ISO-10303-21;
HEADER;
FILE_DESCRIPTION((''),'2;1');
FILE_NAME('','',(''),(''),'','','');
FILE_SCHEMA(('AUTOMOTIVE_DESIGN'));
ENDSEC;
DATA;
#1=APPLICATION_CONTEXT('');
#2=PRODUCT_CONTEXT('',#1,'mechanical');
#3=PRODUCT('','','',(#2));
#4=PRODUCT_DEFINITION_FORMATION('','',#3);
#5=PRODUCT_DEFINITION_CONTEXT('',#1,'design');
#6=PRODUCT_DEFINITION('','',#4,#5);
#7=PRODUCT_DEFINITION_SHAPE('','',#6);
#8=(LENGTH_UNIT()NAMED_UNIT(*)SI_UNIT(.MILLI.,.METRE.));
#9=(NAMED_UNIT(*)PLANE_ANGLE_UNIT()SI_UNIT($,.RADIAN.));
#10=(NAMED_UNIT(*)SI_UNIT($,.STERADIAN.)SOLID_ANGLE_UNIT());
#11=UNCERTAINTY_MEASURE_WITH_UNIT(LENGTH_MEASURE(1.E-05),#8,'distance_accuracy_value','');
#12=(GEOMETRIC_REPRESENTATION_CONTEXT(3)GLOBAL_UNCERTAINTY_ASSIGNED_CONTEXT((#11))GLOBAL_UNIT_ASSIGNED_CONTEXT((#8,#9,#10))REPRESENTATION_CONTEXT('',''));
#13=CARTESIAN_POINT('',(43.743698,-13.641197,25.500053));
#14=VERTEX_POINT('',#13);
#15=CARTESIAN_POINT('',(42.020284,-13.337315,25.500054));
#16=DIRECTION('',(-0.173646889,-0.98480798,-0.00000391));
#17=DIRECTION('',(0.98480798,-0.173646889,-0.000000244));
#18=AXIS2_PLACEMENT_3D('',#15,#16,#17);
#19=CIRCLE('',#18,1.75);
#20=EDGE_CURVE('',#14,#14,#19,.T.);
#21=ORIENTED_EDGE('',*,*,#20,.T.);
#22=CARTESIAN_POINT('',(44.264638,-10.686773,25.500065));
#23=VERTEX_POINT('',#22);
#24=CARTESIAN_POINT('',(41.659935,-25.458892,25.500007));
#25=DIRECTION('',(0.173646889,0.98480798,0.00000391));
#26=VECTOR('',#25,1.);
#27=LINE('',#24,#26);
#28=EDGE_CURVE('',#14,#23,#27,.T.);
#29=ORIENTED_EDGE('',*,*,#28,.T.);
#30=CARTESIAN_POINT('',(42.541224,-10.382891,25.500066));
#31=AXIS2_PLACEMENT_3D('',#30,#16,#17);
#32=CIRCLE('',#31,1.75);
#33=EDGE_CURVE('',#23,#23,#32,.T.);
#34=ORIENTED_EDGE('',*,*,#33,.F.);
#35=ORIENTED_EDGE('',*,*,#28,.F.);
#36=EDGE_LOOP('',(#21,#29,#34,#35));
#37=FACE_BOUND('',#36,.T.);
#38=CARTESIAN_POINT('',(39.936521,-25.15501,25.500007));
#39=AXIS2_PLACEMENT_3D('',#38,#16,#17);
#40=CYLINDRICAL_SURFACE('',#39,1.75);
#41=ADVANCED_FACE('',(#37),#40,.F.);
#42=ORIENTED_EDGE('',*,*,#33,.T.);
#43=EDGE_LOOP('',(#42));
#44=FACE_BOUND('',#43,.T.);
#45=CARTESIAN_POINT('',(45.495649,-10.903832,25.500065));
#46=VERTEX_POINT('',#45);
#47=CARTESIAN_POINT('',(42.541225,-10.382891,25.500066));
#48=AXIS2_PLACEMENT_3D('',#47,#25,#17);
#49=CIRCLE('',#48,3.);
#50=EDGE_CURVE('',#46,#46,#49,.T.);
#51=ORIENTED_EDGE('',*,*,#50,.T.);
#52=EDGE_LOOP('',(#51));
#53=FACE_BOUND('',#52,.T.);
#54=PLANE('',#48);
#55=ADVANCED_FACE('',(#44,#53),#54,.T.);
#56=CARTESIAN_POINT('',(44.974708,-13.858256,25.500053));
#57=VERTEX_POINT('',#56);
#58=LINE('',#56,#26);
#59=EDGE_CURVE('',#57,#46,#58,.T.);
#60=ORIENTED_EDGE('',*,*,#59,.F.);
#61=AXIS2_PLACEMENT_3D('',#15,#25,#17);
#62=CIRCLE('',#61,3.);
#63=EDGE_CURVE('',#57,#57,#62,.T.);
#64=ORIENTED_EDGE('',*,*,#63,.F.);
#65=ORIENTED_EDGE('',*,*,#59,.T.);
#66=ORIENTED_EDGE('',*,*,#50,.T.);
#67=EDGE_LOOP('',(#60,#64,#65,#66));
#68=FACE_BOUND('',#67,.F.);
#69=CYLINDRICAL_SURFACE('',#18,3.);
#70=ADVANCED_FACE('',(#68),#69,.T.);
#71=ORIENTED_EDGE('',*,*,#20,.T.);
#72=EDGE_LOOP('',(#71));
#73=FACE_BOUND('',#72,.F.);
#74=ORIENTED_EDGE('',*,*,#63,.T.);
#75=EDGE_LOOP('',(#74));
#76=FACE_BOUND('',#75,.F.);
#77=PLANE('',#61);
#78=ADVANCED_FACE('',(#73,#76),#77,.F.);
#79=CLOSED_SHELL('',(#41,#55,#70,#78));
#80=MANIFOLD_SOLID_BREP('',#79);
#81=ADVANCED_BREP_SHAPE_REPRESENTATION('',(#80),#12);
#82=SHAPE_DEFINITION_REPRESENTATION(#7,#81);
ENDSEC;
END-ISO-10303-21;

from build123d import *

# Parameters (mm, degrees)
CYLINDER046_R               = 1.75
CYLINDER046_DEPTH           = 19
CYLINDER046_ROLL_ANGLE      = -89.999776
CYLINDER046_PITCH_ANGLE     = 1.4e-05
CYLINDER046_PLACEMENT_ANGLE = -9.999925
CYLINDER040_R               = 3
CYLINDER040_DEPTH           = 3
CYLINDER040_ROLL_ANGLE      = -89.999776
CYLINDER040_PITCH_ANGLE     = 1.4e-05
CYLINDER040_PLACEMENT_ANGLE = -9.999925


with BuildPart() as cylinder046:
    # Cylinder046 → Cylinder046 (new body)
    with BuildSketch(Plane.XY):
        Circle(CYLINDER046_R)
    extrude(amount=CYLINDER046_DEPTH)


with BuildPart() as cylinder046_1:
    # Cylinder046 roll: moved
    add(cylinder046.part.rotate(Axis((0, 0, 0), (1, 0, 0)), CYLINDER046_ROLL_ANGLE))


with BuildPart() as cylinder046_2:
    # Cylinder046 pitch: moved
    add(cylinder046_1.part.rotate(Axis((0, 0, 0), (0, 1, 0)), CYLINDER046_PITCH_ANGLE))


with BuildPart() as cylinder046_3:
    # Cylinder046 placement: moved
    add(cylinder046_2.part.moved(Location((39.936521, -25.15501, 25.500007))).rotate(Axis((39.936521, -25.15501, 25.500007), (0, 0, 1)), CYLINDER046_PLACEMENT_ANGLE))


with BuildPart() as cut036:
    # Cylinder040 → Cylinder040 (new body)
    with BuildSketch(Plane.XY):
        Circle(CYLINDER040_R)
    extrude(amount=CYLINDER040_DEPTH)


with BuildPart() as cut036_1:
    # Cylinder040 roll: moved
    add(cut036.part.rotate(Axis((0, 0, 0), (1, 0, 0)), CYLINDER040_ROLL_ANGLE))


with BuildPart() as cut036_2:
    # Cylinder040 pitch: moved
    add(cut036_1.part.rotate(Axis((0, 0, 0), (0, 1, 0)), CYLINDER040_PITCH_ANGLE))


with BuildPart() as cut036_3:
    # Cylinder040 placement: moved
    add(cut036_2.part.moved(Location((42.020284, -13.337315, 25.500054))).rotate(Axis((42.020284, -13.337315, 25.500054), (0, 0, 1)), CYLINDER040_PLACEMENT_ANGLE))

    # Cut036: cut Cylinder046
    add(cylinder046_3.part, mode=Mode.SUBTRACT)


solid = cut036_3.part
